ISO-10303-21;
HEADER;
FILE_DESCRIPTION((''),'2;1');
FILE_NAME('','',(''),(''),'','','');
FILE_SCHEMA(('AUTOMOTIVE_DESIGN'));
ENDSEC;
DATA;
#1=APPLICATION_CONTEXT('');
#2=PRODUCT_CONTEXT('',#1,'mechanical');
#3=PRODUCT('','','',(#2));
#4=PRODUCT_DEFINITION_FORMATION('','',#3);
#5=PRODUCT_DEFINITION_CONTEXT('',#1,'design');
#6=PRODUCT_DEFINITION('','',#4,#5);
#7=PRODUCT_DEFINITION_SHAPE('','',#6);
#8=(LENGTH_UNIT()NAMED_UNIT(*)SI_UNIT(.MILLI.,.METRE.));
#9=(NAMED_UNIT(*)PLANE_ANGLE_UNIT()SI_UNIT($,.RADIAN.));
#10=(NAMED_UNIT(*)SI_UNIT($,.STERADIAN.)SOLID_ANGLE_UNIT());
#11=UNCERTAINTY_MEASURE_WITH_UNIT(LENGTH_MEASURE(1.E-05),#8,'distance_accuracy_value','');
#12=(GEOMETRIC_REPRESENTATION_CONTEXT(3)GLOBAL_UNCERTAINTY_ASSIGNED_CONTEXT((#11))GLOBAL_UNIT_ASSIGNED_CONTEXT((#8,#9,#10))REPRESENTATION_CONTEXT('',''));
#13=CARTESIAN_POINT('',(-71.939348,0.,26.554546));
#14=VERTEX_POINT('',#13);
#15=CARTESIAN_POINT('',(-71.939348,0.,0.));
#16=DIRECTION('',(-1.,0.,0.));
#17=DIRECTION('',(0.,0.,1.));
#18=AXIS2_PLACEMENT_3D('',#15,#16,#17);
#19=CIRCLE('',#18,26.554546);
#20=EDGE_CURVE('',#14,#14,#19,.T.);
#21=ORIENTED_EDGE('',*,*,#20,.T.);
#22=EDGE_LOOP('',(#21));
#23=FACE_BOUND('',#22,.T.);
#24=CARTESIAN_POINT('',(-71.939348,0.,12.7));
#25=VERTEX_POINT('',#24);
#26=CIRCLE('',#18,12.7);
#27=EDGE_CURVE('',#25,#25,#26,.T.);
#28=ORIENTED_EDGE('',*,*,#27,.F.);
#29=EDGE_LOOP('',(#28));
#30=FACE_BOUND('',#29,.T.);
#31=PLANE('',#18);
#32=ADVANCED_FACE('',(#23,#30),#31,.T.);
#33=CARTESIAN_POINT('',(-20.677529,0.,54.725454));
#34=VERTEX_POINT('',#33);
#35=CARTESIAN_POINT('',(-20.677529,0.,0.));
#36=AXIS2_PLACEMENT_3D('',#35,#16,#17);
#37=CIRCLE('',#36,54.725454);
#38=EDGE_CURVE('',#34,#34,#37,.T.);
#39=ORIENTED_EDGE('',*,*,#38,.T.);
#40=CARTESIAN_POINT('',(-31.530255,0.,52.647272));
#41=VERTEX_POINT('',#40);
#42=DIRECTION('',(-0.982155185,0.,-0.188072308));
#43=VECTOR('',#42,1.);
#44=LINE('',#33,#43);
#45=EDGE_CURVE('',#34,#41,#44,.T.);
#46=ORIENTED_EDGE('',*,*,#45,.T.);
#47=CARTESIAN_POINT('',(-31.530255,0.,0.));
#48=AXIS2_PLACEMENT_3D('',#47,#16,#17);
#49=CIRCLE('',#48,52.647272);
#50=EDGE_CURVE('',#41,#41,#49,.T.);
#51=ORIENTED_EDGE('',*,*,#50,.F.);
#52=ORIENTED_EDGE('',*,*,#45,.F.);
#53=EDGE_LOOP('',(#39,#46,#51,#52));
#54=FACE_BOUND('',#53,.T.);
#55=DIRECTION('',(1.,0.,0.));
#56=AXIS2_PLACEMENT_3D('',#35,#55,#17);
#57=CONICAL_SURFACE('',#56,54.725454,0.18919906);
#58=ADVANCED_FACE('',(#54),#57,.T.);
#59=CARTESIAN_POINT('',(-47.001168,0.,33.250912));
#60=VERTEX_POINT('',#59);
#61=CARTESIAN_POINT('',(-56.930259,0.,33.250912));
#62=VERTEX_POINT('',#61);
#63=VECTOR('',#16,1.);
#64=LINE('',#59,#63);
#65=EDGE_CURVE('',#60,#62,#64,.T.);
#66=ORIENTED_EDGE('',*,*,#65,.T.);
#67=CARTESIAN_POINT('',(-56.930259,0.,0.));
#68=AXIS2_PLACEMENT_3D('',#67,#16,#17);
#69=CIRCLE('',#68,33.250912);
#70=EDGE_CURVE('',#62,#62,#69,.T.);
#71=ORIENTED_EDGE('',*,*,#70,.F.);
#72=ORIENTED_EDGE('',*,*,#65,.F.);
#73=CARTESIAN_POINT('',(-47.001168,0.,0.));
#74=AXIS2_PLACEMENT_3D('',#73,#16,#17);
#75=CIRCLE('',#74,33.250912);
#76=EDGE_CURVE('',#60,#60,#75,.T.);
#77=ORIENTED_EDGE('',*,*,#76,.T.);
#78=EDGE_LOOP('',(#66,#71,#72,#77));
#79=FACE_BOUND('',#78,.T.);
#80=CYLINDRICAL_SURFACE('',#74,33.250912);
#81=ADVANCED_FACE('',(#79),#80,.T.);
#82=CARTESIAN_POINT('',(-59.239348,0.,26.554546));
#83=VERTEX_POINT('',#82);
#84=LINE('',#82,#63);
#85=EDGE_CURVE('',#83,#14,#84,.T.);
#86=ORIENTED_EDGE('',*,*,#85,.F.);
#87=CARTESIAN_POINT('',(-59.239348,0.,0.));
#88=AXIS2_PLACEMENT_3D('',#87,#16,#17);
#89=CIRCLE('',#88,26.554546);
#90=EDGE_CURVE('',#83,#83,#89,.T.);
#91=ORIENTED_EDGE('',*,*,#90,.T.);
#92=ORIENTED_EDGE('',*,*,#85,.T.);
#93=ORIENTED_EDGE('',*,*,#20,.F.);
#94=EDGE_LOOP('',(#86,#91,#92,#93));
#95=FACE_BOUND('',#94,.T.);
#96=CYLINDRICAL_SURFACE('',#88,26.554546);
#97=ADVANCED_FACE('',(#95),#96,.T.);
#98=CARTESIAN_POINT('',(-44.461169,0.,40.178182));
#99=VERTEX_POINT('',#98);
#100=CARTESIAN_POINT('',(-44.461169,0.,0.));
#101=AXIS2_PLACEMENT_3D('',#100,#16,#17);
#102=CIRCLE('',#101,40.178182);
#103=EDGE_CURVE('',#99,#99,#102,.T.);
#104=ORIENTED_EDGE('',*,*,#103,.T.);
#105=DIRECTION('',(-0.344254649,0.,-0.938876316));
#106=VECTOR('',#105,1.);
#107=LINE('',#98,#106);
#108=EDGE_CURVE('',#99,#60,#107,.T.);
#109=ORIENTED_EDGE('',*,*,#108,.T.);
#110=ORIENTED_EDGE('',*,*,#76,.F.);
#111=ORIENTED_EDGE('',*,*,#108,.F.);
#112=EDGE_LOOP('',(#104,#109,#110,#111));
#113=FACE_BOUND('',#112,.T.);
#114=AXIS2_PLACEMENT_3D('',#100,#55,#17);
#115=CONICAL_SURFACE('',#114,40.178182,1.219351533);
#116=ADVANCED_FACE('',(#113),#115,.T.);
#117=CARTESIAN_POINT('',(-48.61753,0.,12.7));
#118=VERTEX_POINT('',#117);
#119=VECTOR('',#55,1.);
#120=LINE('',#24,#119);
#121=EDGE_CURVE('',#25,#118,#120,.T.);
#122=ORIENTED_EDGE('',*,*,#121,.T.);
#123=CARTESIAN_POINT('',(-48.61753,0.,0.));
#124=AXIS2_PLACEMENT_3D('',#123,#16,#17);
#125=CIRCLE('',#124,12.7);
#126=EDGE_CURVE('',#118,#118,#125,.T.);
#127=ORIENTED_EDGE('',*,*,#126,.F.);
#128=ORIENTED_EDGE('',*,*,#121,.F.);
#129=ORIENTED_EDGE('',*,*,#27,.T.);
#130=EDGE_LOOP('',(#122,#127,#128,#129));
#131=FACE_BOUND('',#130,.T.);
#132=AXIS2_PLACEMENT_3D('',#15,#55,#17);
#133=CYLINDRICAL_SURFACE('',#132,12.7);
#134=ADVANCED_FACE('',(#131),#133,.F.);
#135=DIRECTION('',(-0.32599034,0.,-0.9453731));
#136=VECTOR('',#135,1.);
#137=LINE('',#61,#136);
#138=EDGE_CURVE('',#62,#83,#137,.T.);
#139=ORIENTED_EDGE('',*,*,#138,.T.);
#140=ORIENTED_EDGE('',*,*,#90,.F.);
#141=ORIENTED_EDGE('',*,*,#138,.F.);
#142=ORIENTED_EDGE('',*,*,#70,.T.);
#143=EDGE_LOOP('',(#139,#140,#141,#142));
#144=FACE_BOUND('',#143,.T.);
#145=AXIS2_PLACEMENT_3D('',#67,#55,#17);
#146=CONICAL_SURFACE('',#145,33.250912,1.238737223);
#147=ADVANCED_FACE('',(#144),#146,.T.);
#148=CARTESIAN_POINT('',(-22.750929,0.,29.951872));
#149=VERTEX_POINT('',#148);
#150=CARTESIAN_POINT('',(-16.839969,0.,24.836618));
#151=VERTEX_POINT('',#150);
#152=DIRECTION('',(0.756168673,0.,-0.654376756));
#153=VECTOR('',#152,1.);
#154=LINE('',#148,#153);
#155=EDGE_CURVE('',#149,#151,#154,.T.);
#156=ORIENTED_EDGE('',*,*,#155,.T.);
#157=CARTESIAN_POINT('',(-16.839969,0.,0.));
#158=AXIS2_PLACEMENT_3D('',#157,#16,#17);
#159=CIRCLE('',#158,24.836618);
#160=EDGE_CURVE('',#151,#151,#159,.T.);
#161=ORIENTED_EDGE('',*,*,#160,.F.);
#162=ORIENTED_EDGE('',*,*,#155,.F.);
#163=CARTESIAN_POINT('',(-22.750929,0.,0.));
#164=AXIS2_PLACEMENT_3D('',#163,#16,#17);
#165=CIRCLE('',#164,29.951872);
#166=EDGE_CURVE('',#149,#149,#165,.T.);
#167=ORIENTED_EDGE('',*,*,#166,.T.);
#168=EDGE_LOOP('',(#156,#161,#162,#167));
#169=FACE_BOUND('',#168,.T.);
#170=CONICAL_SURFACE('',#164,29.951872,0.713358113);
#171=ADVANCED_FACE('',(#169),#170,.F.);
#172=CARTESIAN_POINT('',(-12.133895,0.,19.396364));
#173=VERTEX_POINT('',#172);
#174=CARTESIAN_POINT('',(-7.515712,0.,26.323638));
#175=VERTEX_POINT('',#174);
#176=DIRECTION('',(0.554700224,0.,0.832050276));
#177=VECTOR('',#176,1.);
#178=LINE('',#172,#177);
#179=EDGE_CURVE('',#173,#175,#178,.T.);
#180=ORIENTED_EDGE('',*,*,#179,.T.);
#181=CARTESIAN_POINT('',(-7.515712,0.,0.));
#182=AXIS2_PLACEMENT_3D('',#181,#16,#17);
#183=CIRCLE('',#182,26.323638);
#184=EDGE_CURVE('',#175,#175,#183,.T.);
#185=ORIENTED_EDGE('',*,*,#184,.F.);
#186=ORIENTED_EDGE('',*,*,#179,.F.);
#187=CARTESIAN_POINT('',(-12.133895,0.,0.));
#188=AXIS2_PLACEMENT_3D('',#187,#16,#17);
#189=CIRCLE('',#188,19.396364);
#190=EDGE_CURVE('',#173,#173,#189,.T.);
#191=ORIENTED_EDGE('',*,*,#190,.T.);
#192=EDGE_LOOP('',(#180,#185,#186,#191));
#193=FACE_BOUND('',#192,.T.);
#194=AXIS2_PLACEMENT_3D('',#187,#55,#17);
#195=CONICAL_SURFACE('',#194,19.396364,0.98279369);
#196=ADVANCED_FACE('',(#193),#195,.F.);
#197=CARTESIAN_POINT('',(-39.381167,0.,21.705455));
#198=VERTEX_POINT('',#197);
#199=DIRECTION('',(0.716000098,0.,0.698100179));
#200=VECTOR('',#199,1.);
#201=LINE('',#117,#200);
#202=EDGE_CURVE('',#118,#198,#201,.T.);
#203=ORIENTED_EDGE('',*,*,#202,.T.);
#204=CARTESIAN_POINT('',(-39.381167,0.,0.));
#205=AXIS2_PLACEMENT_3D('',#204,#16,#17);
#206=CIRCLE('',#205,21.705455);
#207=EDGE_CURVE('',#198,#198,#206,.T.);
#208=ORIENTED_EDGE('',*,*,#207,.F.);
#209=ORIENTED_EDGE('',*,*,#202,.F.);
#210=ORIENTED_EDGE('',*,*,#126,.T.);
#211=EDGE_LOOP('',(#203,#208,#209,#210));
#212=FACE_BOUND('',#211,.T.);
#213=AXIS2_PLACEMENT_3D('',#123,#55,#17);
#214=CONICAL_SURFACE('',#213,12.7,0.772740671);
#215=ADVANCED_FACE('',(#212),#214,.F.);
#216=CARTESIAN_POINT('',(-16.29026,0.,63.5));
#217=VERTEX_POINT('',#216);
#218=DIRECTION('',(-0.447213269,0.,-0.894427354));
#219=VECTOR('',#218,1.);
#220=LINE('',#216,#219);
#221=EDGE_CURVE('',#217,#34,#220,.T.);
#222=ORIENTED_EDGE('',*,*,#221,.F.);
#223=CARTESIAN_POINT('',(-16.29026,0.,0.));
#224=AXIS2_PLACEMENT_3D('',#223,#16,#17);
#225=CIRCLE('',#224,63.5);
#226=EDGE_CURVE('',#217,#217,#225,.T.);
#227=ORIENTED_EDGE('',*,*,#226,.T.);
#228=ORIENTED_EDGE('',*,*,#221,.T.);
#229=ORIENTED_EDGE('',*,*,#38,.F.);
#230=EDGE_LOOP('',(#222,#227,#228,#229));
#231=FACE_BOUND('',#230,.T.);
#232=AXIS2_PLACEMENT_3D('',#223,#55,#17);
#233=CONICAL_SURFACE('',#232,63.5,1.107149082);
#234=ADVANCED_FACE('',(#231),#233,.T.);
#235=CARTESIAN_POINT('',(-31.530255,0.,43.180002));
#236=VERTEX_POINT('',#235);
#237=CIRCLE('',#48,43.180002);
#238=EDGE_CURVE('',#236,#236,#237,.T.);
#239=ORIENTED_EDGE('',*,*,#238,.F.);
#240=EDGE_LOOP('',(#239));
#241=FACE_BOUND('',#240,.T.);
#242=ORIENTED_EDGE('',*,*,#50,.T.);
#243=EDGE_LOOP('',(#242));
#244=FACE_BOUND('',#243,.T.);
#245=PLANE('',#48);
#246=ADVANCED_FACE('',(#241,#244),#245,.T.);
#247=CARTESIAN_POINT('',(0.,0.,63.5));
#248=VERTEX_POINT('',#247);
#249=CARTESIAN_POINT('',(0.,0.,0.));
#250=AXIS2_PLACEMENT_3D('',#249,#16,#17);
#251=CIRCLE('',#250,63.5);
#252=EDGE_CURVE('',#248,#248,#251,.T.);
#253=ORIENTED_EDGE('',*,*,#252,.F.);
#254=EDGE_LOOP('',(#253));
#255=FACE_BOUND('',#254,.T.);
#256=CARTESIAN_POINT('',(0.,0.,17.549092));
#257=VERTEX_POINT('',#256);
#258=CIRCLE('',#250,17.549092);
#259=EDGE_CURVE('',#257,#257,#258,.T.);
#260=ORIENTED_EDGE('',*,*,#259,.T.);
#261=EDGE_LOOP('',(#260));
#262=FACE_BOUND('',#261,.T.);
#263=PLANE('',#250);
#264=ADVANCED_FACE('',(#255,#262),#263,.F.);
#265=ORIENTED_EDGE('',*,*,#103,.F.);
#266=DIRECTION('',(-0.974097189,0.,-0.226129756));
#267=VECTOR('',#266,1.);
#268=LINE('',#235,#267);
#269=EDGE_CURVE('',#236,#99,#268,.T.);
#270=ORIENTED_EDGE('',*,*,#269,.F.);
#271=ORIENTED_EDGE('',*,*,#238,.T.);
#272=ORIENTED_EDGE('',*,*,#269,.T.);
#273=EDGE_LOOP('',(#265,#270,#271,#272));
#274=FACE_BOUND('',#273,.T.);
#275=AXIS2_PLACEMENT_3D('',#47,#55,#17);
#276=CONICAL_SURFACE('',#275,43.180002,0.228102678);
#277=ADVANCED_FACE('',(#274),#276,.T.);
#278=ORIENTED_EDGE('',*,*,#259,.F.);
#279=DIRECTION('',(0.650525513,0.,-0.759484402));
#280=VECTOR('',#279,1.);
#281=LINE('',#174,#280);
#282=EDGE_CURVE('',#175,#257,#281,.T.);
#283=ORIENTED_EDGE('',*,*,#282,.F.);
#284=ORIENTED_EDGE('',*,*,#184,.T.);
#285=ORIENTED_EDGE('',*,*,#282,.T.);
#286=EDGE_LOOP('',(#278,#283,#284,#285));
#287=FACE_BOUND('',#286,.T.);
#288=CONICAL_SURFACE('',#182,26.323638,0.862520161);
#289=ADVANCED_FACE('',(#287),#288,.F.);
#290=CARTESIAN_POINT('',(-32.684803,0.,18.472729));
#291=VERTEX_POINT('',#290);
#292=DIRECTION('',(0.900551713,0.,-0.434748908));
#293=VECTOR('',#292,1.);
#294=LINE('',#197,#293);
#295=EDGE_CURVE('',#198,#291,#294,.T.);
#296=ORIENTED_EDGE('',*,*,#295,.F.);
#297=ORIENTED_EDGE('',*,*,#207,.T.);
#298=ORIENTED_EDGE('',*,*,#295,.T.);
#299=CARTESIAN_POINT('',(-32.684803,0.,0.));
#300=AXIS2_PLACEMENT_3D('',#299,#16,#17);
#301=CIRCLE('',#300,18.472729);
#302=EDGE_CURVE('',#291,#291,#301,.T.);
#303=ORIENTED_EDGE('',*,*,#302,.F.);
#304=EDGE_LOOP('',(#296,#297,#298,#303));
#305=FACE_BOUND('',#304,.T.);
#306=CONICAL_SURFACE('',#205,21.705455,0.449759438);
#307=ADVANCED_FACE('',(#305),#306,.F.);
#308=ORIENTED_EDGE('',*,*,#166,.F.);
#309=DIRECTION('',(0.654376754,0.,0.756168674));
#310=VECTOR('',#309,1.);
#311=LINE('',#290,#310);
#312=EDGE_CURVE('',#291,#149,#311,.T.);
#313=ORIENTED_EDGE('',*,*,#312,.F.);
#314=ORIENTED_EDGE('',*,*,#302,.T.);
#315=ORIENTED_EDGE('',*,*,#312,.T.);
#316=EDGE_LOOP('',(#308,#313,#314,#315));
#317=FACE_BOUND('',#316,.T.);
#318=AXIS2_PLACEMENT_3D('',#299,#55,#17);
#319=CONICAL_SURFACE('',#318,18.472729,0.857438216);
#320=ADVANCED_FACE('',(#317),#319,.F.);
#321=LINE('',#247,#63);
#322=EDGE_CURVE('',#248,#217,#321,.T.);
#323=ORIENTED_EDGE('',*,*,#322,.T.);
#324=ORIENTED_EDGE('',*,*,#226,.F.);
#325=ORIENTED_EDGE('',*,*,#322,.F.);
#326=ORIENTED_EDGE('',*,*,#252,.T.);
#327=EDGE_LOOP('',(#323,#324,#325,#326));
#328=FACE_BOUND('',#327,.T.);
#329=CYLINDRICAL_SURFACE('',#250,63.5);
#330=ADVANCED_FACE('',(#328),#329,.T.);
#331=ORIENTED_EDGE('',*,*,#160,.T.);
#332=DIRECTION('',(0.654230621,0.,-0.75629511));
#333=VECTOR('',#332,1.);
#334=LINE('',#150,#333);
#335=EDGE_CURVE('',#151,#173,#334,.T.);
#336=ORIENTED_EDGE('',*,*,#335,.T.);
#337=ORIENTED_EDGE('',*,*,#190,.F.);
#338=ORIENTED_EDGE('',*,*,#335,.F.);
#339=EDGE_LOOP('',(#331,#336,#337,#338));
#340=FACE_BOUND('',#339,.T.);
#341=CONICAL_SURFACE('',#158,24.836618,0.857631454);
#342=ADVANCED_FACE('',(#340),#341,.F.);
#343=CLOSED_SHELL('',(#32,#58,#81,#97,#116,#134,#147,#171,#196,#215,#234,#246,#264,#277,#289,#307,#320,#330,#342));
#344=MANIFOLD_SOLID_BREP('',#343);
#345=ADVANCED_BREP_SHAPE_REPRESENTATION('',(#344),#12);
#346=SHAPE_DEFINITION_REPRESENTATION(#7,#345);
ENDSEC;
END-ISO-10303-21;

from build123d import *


with BuildPart() as f1:
    # F0 (on Front) → F1 (revolve)
    with BuildSketch(Plane.XZ):
        Polygon((-7.515712, 26.323638), (0, 17.549092), (0, 63.5), (-16.29026, 63.5), (-20.677529, 54.725454), (-31.530255, 52.647272), (-31.530255, 43.180002), (-44.461169, 40.178182), (-47.001168, 33.250912), (-56.930259, 33.250912), (-59.239348, 26.554546), (-71.939348, 26.554546), (-71.939348, 12.7), (-48.61753, 12.7), (-39.381167, 21.705455), (-32.684803, 18.472729), (-22.750929, 29.951872), (-16.839969, 24.836618), (-12.133895, 19.396364), align=None)
    revolve(axis=Axis((-59.888094, 0, 0), (-1, 0, 0)))


solid = f1.part
